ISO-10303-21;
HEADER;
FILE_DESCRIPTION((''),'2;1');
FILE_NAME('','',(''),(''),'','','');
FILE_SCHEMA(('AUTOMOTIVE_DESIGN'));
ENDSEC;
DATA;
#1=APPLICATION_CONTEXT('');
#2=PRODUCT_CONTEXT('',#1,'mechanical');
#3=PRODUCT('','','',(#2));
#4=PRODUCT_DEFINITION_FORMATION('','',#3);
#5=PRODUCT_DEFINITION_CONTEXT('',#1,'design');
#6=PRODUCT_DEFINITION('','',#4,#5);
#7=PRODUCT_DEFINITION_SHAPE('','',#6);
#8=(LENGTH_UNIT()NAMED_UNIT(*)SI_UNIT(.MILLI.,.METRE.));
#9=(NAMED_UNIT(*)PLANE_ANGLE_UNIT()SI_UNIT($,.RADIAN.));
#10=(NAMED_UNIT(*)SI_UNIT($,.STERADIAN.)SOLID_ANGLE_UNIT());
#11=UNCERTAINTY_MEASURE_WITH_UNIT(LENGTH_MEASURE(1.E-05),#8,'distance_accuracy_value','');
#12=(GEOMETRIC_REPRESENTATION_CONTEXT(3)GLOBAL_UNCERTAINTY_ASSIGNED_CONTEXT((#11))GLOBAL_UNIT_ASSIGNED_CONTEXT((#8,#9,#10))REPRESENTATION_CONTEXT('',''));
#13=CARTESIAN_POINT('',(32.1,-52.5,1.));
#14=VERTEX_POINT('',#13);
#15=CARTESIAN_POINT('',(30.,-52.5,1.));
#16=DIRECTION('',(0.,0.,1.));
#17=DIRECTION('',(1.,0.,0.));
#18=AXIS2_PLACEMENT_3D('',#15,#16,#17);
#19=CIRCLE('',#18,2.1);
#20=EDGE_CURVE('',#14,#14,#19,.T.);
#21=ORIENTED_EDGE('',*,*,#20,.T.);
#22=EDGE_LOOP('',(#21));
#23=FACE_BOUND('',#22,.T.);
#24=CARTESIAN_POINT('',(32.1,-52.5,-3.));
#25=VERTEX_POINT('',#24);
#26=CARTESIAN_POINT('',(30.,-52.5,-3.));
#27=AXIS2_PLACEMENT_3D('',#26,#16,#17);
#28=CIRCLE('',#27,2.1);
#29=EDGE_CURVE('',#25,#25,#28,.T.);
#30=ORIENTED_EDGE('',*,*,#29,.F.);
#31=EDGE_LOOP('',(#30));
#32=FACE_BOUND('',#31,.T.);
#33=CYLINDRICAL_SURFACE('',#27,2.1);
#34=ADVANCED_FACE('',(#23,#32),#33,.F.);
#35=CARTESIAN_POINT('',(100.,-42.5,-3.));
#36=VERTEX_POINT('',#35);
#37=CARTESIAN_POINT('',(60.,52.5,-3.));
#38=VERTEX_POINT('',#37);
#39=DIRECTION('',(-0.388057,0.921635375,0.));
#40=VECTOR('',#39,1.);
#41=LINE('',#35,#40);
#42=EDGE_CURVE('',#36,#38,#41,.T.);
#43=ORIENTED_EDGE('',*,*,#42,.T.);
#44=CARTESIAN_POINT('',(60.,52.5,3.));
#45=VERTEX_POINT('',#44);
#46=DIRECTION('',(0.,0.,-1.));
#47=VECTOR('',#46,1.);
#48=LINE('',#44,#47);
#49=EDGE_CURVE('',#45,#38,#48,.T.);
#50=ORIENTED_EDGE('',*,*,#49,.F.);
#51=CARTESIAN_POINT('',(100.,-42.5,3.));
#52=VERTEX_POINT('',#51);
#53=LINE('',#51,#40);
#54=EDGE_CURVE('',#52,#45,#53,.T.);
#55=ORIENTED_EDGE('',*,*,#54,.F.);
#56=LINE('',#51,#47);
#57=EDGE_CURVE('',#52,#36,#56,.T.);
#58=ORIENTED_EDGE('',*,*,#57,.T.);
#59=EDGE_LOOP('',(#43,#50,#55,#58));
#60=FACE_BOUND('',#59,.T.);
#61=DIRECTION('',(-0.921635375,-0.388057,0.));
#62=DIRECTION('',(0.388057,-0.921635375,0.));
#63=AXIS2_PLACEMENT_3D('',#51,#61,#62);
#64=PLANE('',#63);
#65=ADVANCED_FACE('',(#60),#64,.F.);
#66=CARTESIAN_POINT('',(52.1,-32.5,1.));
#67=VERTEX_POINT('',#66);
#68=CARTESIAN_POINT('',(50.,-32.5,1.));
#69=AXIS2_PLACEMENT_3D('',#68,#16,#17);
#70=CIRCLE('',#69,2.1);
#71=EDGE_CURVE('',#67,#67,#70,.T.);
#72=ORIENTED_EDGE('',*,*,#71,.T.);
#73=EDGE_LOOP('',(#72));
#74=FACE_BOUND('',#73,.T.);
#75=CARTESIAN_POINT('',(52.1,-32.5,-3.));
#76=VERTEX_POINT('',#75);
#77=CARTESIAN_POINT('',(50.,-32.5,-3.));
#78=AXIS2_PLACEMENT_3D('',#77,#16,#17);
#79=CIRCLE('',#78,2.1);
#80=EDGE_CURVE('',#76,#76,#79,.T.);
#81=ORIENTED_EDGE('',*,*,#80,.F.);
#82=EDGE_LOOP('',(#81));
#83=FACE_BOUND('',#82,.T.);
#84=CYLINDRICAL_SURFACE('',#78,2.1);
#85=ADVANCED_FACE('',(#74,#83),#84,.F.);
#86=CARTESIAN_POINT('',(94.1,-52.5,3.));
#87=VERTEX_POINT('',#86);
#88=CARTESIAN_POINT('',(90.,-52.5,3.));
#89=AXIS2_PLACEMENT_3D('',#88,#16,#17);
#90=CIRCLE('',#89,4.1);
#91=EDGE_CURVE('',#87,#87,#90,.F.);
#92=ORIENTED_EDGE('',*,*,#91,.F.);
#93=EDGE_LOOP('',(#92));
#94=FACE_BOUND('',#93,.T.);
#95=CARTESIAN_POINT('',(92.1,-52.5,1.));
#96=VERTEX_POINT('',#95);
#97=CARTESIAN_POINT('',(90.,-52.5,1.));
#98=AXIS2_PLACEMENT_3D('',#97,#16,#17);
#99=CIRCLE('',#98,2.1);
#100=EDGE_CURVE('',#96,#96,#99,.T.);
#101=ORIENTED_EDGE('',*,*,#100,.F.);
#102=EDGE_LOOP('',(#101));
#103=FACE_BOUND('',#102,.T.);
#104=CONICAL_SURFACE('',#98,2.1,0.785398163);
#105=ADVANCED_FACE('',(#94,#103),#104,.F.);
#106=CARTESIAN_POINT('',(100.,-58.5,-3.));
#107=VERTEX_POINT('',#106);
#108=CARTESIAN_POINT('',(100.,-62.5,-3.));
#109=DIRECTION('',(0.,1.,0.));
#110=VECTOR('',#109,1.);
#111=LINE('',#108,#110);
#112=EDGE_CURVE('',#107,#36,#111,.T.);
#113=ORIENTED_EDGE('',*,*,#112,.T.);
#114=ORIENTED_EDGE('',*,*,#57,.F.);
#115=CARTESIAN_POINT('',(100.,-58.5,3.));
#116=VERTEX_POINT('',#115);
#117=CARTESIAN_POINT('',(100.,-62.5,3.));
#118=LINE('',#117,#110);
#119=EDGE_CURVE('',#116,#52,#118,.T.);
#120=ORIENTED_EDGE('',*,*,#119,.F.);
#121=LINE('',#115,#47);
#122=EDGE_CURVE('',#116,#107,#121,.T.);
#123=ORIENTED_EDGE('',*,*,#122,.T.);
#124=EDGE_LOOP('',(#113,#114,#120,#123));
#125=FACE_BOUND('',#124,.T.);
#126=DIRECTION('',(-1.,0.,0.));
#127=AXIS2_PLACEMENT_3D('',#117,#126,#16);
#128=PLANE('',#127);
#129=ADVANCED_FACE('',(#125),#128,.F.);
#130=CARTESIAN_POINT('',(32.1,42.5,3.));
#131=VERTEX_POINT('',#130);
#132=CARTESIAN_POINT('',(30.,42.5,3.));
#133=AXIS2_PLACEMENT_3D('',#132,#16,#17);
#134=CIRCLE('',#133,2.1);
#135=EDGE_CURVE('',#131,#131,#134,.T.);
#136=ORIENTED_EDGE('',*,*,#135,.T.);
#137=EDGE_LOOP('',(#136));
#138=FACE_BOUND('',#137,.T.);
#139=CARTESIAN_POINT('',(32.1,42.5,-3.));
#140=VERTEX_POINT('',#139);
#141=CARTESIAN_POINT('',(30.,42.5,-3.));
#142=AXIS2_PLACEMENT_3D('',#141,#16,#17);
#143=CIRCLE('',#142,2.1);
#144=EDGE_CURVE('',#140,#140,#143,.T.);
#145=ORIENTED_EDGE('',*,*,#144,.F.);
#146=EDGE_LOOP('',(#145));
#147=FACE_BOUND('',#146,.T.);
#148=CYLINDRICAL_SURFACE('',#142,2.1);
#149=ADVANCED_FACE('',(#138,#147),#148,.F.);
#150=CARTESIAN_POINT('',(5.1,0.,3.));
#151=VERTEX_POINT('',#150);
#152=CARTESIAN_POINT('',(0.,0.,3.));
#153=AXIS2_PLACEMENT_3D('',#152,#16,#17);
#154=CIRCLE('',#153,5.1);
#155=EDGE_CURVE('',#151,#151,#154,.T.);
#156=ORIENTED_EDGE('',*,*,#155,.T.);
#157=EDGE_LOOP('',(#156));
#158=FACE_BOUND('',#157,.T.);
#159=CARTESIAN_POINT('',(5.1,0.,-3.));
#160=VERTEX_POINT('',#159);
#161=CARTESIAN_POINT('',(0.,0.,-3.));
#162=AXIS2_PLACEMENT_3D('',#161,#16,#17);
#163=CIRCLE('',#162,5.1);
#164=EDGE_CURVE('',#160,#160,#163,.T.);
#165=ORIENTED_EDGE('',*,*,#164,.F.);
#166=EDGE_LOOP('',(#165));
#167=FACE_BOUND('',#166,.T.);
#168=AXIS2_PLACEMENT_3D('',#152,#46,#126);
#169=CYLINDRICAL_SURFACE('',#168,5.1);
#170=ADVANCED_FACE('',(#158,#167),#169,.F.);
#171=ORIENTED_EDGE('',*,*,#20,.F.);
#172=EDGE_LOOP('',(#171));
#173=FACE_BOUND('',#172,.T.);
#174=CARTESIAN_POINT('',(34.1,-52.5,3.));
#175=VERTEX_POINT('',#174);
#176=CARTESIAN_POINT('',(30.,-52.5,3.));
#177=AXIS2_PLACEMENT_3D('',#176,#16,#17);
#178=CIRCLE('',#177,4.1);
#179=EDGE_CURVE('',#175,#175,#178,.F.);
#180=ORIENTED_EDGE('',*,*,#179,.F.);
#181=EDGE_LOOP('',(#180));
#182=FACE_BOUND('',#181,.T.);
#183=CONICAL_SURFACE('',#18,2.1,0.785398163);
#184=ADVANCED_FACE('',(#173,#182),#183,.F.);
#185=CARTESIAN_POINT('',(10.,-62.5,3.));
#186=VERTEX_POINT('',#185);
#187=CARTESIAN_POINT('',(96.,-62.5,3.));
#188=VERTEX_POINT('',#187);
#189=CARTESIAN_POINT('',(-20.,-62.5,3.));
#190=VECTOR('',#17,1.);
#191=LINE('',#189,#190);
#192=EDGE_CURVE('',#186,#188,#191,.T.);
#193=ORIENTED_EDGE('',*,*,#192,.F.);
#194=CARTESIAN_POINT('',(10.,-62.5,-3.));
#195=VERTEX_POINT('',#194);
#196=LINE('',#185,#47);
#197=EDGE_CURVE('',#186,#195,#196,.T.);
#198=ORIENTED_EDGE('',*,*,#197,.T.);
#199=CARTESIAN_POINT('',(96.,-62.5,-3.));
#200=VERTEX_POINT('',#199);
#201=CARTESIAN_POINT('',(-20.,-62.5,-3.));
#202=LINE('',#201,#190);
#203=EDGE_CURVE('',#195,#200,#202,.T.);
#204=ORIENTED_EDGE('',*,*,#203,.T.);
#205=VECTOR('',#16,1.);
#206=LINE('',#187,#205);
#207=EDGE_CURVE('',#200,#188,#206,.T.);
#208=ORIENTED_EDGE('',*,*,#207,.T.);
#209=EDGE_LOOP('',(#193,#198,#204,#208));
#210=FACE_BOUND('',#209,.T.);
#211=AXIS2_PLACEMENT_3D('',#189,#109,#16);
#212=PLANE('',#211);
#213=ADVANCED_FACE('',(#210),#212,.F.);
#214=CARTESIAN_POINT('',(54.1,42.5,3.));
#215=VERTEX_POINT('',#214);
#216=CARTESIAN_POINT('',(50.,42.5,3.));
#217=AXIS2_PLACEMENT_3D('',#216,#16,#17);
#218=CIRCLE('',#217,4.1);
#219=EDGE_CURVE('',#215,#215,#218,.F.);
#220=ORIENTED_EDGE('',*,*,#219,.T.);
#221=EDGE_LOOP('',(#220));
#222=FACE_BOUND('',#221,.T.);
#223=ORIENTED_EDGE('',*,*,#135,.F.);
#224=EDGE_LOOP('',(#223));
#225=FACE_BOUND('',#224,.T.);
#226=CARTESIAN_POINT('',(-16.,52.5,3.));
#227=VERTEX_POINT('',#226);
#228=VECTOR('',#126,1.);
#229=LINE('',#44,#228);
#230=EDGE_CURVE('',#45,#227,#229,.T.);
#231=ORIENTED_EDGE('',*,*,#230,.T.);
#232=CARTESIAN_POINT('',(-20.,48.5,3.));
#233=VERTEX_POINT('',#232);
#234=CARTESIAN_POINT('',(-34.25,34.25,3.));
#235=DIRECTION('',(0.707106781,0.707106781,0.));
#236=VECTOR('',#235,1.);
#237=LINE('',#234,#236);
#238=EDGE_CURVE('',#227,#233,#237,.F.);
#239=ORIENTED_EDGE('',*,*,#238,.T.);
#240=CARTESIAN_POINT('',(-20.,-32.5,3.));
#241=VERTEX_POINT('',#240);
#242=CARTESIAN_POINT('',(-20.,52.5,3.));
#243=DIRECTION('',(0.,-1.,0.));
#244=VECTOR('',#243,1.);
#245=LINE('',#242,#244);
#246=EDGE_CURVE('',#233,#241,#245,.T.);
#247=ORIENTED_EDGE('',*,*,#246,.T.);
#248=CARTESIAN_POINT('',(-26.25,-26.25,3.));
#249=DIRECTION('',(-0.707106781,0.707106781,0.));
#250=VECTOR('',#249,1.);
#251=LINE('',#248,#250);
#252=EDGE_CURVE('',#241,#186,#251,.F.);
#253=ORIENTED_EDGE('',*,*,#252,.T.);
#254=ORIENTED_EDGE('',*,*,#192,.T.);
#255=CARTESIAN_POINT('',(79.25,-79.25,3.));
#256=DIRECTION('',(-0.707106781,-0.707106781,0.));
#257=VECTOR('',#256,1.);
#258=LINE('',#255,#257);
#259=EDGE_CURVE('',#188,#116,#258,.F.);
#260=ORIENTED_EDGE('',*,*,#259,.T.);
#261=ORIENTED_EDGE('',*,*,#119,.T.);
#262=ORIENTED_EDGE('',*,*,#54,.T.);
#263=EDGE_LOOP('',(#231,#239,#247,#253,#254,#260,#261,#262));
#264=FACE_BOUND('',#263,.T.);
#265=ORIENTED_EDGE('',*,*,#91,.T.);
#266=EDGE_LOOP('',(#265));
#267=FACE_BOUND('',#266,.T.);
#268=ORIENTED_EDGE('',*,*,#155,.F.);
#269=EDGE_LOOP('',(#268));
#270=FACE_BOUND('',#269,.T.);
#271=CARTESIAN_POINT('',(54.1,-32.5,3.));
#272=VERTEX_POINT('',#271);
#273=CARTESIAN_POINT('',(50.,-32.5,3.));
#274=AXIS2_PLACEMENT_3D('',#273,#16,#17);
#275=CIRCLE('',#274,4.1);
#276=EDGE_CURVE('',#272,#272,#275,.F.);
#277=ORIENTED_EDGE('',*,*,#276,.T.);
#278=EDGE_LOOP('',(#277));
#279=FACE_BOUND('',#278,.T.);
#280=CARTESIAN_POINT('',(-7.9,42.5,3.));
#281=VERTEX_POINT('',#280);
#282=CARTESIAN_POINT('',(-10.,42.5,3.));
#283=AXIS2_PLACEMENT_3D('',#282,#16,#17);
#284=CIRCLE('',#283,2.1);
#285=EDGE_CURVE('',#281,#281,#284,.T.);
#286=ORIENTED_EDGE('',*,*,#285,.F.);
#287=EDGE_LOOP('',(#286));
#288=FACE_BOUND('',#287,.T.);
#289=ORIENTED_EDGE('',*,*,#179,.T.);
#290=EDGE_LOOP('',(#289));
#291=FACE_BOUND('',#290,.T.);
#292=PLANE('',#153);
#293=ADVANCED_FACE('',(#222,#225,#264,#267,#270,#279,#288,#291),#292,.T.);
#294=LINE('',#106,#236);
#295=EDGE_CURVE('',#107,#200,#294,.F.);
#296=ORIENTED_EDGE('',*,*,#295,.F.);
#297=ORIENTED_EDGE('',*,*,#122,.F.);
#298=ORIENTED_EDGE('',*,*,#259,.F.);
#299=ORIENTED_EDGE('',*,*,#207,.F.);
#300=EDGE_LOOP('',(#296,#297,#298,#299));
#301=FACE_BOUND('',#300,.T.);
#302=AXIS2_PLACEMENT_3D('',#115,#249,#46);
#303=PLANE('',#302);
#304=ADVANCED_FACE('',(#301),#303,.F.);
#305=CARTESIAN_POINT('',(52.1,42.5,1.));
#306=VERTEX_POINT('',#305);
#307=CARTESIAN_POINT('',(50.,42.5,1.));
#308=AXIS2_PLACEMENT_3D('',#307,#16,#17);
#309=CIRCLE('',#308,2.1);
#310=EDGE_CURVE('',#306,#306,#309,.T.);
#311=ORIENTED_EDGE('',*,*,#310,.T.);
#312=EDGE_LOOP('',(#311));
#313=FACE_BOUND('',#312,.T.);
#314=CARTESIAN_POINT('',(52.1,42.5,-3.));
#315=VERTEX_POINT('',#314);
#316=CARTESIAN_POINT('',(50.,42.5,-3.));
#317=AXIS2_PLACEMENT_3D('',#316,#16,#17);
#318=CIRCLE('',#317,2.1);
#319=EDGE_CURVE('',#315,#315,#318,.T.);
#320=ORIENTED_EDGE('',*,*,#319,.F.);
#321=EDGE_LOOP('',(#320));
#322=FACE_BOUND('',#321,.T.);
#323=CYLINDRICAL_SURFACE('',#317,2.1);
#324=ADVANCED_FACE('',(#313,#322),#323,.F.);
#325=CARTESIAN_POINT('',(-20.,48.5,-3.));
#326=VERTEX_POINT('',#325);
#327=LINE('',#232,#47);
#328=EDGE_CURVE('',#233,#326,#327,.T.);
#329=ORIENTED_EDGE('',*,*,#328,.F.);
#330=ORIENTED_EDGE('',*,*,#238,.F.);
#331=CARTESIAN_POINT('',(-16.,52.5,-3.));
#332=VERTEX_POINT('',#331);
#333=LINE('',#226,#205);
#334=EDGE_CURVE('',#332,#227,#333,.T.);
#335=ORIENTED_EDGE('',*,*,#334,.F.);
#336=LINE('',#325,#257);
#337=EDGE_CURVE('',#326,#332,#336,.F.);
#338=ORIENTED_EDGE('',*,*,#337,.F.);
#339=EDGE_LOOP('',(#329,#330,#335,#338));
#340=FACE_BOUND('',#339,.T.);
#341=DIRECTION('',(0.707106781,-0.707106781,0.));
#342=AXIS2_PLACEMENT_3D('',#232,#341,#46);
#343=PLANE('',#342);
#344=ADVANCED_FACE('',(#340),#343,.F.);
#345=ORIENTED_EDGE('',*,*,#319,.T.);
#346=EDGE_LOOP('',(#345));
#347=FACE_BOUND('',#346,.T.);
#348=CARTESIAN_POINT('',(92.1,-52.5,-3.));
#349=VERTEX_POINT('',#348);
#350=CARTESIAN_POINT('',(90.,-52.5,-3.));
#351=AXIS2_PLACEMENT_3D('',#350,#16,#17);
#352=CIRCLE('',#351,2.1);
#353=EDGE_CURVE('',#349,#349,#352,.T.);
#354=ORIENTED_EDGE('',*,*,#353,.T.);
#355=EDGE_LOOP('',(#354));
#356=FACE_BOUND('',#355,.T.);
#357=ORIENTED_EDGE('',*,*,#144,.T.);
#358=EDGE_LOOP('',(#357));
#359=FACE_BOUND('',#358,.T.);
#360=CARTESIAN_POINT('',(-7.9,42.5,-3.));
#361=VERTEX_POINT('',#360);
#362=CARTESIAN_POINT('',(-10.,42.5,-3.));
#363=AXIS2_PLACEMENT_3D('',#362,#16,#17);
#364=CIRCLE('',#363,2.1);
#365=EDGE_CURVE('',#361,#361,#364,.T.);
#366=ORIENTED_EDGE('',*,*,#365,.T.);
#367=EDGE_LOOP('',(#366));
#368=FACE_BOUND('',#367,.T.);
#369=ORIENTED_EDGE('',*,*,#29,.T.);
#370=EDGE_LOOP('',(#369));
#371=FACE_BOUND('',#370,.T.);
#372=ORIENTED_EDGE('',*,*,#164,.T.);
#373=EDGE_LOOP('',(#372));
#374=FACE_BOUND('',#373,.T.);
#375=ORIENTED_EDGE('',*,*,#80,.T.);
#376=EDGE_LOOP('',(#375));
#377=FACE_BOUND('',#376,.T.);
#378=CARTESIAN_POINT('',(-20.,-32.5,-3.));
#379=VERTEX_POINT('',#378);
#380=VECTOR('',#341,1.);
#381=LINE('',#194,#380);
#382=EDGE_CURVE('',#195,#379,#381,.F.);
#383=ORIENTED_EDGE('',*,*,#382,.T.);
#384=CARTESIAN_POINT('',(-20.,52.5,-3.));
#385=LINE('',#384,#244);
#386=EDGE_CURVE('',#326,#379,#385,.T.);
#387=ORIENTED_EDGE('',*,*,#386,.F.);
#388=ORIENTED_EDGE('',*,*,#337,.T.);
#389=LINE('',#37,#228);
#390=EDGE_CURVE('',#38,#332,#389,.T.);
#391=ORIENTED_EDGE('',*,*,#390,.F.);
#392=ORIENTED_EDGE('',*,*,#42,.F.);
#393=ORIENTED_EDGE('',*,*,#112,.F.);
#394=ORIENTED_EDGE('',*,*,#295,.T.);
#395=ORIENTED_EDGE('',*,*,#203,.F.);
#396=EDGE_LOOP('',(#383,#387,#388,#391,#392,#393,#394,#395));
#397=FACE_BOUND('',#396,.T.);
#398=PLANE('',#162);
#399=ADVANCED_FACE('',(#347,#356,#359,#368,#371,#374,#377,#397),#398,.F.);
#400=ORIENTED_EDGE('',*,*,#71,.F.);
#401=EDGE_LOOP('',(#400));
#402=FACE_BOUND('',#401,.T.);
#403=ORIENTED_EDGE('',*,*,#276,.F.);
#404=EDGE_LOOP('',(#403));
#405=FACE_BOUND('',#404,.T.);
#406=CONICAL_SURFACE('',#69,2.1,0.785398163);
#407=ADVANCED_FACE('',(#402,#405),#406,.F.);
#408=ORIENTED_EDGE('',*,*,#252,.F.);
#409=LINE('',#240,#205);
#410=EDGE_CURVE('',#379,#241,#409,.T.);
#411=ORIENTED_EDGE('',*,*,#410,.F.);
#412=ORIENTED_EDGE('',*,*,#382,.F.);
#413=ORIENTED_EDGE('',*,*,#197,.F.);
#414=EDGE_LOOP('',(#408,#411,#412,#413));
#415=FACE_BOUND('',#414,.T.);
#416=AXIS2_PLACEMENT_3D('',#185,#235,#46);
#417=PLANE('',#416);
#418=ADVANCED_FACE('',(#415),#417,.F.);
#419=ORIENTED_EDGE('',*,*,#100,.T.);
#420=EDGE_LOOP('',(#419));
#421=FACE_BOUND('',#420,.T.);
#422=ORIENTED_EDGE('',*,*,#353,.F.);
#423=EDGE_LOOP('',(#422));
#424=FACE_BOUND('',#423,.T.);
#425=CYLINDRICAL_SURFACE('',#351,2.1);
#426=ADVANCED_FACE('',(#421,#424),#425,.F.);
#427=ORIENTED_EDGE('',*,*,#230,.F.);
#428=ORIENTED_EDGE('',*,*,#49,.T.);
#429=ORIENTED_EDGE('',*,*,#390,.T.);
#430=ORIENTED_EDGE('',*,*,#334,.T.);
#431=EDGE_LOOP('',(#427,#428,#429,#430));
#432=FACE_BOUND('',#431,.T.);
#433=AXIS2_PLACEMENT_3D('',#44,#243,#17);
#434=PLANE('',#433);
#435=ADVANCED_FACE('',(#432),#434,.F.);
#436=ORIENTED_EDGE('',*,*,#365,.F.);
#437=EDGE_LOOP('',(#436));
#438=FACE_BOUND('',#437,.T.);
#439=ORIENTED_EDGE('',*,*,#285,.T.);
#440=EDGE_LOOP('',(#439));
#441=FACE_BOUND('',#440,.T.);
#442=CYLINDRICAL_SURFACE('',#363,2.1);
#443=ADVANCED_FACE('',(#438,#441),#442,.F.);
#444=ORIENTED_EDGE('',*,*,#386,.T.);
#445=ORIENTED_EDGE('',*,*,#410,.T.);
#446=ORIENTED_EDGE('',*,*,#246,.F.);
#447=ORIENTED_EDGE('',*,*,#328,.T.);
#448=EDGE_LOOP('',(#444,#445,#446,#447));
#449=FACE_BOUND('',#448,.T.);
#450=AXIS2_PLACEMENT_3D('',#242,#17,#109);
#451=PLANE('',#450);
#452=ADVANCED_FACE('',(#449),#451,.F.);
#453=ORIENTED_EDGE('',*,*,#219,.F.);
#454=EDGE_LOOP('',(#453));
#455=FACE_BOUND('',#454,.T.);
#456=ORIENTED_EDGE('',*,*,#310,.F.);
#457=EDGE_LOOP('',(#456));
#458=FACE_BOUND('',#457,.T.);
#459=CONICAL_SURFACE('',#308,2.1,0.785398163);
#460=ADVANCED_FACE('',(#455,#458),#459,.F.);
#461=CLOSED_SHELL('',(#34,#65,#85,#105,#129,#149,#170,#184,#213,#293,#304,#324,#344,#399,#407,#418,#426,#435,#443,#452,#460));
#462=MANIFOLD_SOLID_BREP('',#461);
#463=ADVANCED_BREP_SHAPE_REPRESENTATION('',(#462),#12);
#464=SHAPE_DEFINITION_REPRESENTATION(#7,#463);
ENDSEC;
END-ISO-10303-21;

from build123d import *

# Parameters (mm, degrees)
SKETCH_1_R          = 5.1
EXTRUDE_1_DEPTH     = 3
SKETCH_2_R          = 2.1
CUT_EXTRUDE_1_DEPTH = 119.077305186
CHAMFER_1_SIZE      = 30
CHAMFER_3_SIZE      = 4
CHAMFER_2_SIZE      = 2


with BuildPart() as part:
    # 草图1 → 凸台-拉伸1 (new, symmetric)
    with BuildSketch(Plane.XY):
        Polygon((-20, 52.5), (-20, -62.5), (100, -62.5), (100, -42.5), (60, 52.5), align=None)
        Circle(SKETCH_1_R, mode=Mode.SUBTRACT)
    extrude(amount=EXTRUDE_1_DEPTH, both=True)

    # 草图2 → 切除-拉伸1 (cut, through all)
    with BuildSketch(Plane.XY.offset(3)):
        with Locations((-10, 42.5)):
            Circle(SKETCH_2_R)
        with Locations((30, 42.5)):
            Circle(SKETCH_2_R)
        with Locations((50, 42.5)):
            Circle(SKETCH_2_R)
        with Locations((50, -32.5)):
            Circle(SKETCH_2_R)
        with Locations((30, -52.5)):
            Circle(SKETCH_2_R)
        with Locations((90, -52.5)):
            Circle(SKETCH_2_R)
    extrude(amount=-CUT_EXTRUDE_1_DEPTH, mode=Mode.SUBTRACT)

    # 倒角1
    chamfer_1_edges = [part.edges().sort_by_distance(p)[0] for p in [
        (-20, -62.5, 0),
    ]]
    chamfer(chamfer_1_edges, length=CHAMFER_1_SIZE)

    # 倒角3
    chamfer_3_edges = [part.edges().sort_by_distance(p)[0] for p in [
        (100, -62.5, 0),
        (-20, 52.5, 0),
    ]]
    chamfer(chamfer_3_edges, length=CHAMFER_3_SIZE)

    # 倒角2
    chamfer_2_edges = [part.edges().sort_by_distance(p)[0] for p in [
        (47.9, 42.5, 3),
        (47.9, -32.5, 3),
        (27.9, -52.5, 3),
        (87.9, -52.5, 3),
    ]]
    chamfer(chamfer_2_edges, length=CHAMFER_2_SIZE)


solid = part.part
